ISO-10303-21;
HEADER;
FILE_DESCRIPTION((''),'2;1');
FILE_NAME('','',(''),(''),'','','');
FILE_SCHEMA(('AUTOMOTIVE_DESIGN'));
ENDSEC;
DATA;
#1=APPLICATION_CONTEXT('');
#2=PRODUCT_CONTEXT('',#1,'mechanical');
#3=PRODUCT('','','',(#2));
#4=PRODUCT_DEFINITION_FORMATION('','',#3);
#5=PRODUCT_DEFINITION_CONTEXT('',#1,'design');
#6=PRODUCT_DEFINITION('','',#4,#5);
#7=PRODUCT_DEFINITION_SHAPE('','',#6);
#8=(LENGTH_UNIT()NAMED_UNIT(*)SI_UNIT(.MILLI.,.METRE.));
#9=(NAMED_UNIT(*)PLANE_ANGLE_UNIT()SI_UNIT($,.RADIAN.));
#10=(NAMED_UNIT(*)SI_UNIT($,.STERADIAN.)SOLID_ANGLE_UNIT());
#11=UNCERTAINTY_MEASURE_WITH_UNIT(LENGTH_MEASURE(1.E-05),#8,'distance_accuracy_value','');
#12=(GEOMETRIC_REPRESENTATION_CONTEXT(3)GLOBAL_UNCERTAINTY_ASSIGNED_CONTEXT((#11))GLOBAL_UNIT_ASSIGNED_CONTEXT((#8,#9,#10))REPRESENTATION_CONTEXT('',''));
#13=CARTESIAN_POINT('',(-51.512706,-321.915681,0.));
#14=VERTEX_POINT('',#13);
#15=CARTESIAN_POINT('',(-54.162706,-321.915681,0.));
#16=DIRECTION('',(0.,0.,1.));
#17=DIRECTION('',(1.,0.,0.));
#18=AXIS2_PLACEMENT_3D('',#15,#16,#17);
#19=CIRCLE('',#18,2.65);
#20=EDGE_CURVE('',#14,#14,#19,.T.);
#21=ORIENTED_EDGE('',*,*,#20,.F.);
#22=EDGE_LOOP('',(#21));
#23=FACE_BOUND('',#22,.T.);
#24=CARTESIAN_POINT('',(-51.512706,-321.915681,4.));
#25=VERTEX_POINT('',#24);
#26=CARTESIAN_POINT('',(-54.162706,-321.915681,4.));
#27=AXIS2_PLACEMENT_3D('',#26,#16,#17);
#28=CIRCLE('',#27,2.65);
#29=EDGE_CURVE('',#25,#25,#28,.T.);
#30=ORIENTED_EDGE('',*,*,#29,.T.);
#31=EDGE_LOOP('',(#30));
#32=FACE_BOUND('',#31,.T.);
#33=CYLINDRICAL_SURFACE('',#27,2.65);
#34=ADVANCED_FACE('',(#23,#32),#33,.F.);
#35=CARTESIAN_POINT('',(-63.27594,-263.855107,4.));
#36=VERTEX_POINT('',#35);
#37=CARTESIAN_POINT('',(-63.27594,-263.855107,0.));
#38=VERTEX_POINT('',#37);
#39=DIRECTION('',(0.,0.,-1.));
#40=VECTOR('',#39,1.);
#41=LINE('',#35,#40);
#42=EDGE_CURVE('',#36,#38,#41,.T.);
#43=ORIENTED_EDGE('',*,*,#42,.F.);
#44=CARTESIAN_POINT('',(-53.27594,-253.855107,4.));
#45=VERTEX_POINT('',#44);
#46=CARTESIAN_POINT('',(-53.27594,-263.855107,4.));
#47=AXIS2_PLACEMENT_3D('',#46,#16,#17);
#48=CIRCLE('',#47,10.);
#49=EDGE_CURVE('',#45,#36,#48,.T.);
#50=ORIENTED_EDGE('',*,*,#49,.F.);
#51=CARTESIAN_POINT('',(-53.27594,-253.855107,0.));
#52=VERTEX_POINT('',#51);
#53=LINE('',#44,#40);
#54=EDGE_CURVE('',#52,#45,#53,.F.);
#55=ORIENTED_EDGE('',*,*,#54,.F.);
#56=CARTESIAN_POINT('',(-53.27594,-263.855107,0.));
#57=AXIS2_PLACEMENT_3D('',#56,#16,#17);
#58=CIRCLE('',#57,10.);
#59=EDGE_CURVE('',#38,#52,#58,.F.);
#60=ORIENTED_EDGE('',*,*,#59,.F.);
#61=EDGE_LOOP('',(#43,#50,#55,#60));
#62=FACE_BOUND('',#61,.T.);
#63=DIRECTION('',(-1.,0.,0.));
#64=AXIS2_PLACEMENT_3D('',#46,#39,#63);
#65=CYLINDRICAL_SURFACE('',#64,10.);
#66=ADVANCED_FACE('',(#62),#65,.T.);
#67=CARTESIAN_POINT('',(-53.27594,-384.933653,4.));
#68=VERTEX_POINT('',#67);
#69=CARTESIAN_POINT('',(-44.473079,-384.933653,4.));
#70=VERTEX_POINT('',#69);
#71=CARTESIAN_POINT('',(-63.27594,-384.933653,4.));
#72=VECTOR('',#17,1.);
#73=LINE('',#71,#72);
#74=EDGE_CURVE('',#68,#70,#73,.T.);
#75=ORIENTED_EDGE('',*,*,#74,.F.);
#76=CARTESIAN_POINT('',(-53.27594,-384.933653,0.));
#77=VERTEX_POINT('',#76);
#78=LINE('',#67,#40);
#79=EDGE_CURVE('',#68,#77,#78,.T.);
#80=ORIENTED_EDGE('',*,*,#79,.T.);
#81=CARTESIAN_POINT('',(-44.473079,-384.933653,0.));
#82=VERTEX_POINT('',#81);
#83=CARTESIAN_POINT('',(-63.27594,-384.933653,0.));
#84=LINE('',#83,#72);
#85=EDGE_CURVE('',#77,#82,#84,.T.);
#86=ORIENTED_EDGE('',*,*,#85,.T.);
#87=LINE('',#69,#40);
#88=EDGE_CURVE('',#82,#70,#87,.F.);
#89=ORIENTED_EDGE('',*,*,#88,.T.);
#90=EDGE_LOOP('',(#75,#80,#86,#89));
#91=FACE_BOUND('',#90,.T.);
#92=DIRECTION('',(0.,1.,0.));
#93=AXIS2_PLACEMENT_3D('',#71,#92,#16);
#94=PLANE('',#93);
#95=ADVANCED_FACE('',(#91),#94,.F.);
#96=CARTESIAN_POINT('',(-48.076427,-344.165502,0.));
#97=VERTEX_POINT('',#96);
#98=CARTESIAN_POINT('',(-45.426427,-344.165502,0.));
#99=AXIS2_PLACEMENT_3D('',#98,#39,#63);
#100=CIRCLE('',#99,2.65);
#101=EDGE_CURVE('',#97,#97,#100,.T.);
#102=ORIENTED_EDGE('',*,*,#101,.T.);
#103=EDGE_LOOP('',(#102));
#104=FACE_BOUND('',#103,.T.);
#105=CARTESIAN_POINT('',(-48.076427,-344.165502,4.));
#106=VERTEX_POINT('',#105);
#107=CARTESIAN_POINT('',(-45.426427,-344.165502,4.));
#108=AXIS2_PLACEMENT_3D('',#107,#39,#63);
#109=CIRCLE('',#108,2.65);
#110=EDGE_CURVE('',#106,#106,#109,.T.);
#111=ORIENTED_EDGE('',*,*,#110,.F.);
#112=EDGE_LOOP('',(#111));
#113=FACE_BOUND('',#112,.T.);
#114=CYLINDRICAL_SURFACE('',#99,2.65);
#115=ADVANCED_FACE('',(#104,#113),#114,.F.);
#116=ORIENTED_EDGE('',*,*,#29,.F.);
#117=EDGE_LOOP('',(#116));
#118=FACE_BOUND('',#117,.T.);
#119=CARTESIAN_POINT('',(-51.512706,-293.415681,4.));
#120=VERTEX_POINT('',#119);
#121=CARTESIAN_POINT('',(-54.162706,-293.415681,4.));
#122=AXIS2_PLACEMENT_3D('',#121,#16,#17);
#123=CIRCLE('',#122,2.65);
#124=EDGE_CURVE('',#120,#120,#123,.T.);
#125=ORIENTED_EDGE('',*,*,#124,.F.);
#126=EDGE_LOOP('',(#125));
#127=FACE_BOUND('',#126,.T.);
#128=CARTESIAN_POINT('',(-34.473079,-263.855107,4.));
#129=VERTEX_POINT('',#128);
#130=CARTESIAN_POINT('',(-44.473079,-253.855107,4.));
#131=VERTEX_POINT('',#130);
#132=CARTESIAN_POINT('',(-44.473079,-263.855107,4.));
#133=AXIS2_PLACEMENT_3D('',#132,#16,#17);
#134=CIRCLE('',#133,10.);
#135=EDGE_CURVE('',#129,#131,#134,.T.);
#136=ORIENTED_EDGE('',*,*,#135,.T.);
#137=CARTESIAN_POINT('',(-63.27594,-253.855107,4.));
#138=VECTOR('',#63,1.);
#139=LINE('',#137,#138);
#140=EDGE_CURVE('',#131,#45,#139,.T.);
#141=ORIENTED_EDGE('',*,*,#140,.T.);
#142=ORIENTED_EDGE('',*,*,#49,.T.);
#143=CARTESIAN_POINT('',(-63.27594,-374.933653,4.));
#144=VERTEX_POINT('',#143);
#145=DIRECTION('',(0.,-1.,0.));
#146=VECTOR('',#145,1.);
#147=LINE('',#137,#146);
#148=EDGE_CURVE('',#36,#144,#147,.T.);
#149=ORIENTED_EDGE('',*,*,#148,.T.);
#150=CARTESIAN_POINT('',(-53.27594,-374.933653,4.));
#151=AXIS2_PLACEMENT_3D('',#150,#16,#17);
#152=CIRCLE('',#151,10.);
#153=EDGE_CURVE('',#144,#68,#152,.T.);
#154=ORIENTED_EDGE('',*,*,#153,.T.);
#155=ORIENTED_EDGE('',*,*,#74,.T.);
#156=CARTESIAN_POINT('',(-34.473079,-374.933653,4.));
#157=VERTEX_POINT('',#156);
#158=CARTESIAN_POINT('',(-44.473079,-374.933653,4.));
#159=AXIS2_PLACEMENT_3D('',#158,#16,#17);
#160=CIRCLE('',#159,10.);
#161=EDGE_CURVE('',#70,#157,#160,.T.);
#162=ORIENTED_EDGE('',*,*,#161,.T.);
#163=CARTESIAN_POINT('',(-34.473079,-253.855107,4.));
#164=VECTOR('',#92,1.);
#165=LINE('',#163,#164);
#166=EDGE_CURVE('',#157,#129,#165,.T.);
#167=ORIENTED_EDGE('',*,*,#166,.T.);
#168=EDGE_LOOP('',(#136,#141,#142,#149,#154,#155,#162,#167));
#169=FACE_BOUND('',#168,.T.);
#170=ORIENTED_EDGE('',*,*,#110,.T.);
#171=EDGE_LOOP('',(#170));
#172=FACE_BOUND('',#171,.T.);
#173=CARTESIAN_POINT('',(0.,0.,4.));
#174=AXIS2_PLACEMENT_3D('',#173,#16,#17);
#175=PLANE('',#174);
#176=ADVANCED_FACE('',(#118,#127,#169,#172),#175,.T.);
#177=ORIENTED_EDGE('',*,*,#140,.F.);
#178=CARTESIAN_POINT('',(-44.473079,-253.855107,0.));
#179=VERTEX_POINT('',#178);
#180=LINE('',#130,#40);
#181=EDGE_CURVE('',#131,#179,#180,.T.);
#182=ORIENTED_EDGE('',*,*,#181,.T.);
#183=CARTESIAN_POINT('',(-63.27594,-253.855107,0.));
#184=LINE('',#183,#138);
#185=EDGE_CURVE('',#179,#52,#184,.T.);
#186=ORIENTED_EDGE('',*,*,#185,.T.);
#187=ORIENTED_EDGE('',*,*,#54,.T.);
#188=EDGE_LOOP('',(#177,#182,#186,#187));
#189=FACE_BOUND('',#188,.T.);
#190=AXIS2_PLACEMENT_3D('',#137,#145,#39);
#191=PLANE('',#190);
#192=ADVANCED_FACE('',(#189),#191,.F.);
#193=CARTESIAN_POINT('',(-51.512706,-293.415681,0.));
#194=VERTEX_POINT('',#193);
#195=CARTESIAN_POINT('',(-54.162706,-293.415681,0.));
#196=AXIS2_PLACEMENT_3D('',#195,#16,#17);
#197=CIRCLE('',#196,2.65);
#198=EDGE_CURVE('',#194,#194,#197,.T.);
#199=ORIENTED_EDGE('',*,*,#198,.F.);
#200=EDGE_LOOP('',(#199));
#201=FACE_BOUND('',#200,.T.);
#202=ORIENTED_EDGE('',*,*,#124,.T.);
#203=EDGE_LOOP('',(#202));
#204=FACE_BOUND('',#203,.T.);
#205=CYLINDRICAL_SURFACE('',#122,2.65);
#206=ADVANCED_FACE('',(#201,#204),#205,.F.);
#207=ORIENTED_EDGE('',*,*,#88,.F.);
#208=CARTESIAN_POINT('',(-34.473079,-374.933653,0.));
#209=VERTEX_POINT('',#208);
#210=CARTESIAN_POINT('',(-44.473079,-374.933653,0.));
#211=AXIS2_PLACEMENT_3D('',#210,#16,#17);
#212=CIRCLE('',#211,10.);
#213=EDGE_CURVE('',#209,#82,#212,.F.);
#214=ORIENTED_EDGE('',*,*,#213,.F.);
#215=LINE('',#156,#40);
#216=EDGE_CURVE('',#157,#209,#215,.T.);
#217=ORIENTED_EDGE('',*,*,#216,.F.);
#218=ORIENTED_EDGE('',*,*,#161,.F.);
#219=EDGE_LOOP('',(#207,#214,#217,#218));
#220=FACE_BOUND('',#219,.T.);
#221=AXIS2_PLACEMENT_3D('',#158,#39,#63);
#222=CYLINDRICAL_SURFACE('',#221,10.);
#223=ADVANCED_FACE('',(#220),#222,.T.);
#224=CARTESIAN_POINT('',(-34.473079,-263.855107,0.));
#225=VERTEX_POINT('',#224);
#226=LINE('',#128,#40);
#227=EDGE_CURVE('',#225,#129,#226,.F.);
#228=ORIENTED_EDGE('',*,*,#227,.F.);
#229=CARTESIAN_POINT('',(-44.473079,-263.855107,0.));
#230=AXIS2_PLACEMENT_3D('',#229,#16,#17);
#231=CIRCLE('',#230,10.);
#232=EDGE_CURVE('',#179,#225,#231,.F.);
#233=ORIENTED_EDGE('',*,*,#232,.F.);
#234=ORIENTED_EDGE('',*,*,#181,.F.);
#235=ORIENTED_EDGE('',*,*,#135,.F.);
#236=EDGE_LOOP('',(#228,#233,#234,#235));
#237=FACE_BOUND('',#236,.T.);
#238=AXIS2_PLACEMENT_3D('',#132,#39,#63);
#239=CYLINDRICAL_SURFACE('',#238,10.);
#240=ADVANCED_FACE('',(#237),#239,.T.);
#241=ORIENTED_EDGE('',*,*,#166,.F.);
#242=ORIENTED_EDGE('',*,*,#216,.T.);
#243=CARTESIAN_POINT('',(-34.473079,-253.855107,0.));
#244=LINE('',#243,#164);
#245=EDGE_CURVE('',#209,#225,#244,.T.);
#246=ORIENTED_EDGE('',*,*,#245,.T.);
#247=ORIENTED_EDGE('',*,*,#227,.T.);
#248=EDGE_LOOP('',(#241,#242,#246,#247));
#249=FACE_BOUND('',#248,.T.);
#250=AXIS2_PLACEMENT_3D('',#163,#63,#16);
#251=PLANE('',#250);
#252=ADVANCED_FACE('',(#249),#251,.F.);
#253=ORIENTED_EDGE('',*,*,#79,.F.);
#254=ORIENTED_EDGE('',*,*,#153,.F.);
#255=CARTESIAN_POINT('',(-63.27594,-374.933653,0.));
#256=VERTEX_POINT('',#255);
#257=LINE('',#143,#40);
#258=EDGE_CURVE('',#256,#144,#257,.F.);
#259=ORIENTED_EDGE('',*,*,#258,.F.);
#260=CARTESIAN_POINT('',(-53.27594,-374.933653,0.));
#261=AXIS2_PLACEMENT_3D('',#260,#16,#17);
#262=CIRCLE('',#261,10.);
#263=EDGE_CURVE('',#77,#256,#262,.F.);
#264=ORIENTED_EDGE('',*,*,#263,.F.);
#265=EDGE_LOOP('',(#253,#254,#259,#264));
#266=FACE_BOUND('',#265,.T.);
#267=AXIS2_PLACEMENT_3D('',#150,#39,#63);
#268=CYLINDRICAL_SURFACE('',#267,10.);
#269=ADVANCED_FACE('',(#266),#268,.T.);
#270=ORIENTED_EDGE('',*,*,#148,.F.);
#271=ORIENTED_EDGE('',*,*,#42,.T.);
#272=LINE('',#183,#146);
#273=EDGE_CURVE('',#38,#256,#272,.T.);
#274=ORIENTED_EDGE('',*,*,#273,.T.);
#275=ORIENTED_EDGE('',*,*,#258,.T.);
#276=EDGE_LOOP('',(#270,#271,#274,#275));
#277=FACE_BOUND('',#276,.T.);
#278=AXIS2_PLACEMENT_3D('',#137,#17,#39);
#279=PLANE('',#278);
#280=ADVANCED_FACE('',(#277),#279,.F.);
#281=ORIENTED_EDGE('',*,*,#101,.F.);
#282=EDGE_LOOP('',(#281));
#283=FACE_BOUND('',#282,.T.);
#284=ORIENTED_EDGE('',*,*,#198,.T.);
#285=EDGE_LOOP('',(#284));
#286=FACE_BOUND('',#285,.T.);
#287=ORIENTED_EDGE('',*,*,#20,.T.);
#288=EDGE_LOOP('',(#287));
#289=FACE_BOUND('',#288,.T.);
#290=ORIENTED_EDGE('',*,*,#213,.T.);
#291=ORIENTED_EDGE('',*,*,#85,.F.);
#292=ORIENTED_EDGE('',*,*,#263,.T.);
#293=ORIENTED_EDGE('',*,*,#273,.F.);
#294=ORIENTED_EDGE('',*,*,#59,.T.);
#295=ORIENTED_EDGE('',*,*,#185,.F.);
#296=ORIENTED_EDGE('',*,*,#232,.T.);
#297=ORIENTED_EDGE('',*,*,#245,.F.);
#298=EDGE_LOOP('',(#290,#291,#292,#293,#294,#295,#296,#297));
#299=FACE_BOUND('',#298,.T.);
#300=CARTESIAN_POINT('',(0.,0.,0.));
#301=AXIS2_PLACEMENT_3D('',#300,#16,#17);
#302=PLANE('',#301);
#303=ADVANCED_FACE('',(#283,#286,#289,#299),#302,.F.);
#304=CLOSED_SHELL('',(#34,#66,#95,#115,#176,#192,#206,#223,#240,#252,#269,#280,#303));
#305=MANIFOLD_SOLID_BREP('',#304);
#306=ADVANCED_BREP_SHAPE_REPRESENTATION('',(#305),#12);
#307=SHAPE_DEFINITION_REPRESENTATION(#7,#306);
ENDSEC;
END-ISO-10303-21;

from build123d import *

# Parameters (mm, degrees)
SKETCH1_W            = 28.802861634
SKETCH1_H            = 131.078546172
BOSS_EXTRUDE1_DEPTH  = 4
M5_CLEARANCE_HOLE1_D = 5.3
FILLET1_R            = 10
M5_CLEARANCE_HOLE2_D = 5.3


with BuildPart() as part:
    # Sketch1 → Boss-Extrude1 (new body)
    with BuildSketch(Plane.XY):
        with Locations((-48.87450938, -319.394379884)):
            Rectangle(SKETCH1_W, SKETCH1_H)
    extrude(amount=BOSS_EXTRUDE1_DEPTH)

    # M5 Clearance Hole1 (through all)
    with Locations(Plane.XY.offset(4)):
        with Locations((-54.16270611, -321.915681156), (-54.16270611, -293.415681156)):
            Hole(M5_CLEARANCE_HOLE1_D / 2)

    # Fillet1
    fillet1_edges = [part.edges().sort_by_distance(p)[0] for p in [
        (-63.275940197, -253.855106798, 2),
        (-34.473078563, -253.855106798, 2),
        (-34.473078563, -384.93365297, 2),
        (-63.275940197, -384.93365297, 2),
    ]]
    fillet(fillet1_edges, radius=FILLET1_R)

    # M5 Clearance Hole2 (through all)
    with Locations(Plane(origin=(0, 0, 0), x_dir=(-1, 0, 0), z_dir=(0, 0, -1))):
        with Locations((45.426427008, -344.165502047)):
            Hole(M5_CLEARANCE_HOLE2_D / 2)


solid = part.part
